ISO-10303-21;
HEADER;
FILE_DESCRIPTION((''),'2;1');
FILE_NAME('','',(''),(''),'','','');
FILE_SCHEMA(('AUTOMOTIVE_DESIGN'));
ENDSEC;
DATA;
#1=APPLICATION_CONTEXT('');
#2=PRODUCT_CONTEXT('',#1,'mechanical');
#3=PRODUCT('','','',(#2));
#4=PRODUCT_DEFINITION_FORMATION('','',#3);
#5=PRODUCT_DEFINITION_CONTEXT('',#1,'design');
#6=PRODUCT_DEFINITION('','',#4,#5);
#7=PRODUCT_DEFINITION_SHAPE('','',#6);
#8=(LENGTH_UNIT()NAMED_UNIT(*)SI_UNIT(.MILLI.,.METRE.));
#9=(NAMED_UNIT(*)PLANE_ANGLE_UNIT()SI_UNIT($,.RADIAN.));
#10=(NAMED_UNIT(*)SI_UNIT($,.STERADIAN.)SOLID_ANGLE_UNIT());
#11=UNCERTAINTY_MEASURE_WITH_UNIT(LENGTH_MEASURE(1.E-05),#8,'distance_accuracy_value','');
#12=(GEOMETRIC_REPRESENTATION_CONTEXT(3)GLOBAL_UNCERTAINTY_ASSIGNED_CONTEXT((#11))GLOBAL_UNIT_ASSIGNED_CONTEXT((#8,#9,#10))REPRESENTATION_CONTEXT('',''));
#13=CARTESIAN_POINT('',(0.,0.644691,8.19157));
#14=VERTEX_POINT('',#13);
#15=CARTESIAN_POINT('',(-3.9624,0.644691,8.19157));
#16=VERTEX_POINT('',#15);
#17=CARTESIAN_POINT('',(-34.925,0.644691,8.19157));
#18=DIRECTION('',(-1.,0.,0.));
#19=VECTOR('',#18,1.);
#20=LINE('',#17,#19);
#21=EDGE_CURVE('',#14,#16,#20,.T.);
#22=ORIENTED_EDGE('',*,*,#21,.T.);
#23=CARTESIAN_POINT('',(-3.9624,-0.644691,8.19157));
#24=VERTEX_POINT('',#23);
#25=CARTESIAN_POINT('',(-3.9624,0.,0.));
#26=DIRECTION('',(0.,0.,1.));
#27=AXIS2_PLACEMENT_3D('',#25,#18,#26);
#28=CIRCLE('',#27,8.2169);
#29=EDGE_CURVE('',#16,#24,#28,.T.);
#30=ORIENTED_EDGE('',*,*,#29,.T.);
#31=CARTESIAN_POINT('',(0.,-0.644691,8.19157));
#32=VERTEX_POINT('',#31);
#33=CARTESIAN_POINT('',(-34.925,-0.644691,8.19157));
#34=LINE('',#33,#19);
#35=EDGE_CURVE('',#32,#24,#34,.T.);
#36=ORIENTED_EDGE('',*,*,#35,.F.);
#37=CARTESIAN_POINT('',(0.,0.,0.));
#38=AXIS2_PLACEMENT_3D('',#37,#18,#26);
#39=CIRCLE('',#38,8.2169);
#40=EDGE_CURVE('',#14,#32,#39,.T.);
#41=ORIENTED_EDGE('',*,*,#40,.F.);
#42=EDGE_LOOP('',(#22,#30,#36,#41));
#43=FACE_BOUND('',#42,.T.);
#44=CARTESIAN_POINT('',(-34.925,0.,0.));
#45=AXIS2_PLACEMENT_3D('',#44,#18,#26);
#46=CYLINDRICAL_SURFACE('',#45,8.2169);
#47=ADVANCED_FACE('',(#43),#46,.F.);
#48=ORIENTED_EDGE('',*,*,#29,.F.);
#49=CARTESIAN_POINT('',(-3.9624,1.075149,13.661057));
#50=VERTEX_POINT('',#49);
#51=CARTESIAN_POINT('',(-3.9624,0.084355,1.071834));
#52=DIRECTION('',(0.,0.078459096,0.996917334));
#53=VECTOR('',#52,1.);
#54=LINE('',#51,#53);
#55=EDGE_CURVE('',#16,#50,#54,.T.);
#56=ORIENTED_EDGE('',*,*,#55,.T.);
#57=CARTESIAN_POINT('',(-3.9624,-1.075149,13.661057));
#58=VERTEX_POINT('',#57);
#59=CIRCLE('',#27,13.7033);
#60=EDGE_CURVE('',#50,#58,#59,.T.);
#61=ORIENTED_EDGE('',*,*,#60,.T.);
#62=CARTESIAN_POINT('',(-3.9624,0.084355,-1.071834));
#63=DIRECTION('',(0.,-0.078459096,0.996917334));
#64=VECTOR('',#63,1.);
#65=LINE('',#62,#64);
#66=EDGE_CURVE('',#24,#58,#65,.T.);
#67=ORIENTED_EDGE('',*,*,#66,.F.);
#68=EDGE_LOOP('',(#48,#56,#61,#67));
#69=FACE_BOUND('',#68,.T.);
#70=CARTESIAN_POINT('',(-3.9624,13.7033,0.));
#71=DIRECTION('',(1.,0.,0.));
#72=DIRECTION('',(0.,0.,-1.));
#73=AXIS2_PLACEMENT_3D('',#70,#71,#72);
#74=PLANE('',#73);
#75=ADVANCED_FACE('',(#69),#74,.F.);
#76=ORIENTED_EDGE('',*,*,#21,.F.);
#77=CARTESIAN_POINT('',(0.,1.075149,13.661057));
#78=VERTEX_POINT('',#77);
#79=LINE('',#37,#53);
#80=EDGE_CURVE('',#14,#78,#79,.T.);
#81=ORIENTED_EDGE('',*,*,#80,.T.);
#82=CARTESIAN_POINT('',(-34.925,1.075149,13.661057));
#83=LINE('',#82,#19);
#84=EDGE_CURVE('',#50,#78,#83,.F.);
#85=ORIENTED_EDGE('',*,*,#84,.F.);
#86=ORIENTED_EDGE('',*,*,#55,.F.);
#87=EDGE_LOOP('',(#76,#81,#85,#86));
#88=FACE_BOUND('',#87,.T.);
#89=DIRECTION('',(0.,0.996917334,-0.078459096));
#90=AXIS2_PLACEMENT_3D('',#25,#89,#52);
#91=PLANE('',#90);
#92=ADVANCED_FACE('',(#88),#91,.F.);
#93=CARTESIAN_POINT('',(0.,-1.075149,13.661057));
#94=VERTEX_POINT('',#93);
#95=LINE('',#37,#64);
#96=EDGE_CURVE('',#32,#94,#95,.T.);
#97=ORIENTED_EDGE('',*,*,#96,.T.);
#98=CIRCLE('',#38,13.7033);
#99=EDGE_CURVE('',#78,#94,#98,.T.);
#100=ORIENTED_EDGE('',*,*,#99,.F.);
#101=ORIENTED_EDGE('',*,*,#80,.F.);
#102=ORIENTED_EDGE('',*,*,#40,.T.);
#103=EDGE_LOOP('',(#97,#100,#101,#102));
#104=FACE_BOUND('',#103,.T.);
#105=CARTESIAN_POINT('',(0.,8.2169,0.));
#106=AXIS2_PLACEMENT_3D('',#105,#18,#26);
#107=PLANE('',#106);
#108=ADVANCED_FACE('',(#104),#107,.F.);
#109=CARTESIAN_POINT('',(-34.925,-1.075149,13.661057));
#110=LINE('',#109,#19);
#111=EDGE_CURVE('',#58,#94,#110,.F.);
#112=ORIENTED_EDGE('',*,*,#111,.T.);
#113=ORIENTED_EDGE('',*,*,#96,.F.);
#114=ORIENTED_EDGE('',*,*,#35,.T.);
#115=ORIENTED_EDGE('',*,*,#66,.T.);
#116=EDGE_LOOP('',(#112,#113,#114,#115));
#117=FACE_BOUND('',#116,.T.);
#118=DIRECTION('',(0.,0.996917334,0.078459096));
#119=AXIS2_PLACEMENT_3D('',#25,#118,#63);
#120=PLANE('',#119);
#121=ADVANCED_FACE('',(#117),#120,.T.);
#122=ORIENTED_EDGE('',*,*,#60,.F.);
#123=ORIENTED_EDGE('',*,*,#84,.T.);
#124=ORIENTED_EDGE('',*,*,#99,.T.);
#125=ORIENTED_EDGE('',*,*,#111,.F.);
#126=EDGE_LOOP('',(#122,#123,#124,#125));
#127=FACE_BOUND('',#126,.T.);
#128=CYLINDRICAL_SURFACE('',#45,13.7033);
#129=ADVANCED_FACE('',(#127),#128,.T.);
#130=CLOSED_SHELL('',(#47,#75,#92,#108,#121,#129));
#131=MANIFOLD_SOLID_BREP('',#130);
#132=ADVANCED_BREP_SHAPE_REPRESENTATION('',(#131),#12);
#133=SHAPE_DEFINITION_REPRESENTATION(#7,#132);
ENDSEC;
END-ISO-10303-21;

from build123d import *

# Parameters (mm, degrees)
SKETCH1_W = 3.9624
SKETCH1_H = 5.4864
GAP_DEPTH = 4.9624


with BuildPart() as part:
    # Sketch1 → Base-Revolve (revolve)
    with BuildSketch(Plane.XY):
        with Locations((-1.9812, 10.9601)):
            Rectangle(SKETCH1_W, SKETCH1_H)
    revolve(axis=Axis((-34.925, 0, 0), (1, 0, 0)))

    # Sketch2 → Gap (cut, through all)
    with BuildSketch(Plane(origin=(0, 0, 0), x_dir=(0, -1, 0), z_dir=(-1, 0, 0))):
        with BuildLine():
            Line((0, 0), (1.096651497, 13.934278445))
            ThreePointArc((1.096651497, 13.934278445), (0, 13.977366), (-1.096651497, 13.934278445))
            Line((-1.096651497, 13.934278445), (0, 0))
        make_face()
    extrude(amount=GAP_DEPTH, mode=Mode.SUBTRACT)


solid = part.part
